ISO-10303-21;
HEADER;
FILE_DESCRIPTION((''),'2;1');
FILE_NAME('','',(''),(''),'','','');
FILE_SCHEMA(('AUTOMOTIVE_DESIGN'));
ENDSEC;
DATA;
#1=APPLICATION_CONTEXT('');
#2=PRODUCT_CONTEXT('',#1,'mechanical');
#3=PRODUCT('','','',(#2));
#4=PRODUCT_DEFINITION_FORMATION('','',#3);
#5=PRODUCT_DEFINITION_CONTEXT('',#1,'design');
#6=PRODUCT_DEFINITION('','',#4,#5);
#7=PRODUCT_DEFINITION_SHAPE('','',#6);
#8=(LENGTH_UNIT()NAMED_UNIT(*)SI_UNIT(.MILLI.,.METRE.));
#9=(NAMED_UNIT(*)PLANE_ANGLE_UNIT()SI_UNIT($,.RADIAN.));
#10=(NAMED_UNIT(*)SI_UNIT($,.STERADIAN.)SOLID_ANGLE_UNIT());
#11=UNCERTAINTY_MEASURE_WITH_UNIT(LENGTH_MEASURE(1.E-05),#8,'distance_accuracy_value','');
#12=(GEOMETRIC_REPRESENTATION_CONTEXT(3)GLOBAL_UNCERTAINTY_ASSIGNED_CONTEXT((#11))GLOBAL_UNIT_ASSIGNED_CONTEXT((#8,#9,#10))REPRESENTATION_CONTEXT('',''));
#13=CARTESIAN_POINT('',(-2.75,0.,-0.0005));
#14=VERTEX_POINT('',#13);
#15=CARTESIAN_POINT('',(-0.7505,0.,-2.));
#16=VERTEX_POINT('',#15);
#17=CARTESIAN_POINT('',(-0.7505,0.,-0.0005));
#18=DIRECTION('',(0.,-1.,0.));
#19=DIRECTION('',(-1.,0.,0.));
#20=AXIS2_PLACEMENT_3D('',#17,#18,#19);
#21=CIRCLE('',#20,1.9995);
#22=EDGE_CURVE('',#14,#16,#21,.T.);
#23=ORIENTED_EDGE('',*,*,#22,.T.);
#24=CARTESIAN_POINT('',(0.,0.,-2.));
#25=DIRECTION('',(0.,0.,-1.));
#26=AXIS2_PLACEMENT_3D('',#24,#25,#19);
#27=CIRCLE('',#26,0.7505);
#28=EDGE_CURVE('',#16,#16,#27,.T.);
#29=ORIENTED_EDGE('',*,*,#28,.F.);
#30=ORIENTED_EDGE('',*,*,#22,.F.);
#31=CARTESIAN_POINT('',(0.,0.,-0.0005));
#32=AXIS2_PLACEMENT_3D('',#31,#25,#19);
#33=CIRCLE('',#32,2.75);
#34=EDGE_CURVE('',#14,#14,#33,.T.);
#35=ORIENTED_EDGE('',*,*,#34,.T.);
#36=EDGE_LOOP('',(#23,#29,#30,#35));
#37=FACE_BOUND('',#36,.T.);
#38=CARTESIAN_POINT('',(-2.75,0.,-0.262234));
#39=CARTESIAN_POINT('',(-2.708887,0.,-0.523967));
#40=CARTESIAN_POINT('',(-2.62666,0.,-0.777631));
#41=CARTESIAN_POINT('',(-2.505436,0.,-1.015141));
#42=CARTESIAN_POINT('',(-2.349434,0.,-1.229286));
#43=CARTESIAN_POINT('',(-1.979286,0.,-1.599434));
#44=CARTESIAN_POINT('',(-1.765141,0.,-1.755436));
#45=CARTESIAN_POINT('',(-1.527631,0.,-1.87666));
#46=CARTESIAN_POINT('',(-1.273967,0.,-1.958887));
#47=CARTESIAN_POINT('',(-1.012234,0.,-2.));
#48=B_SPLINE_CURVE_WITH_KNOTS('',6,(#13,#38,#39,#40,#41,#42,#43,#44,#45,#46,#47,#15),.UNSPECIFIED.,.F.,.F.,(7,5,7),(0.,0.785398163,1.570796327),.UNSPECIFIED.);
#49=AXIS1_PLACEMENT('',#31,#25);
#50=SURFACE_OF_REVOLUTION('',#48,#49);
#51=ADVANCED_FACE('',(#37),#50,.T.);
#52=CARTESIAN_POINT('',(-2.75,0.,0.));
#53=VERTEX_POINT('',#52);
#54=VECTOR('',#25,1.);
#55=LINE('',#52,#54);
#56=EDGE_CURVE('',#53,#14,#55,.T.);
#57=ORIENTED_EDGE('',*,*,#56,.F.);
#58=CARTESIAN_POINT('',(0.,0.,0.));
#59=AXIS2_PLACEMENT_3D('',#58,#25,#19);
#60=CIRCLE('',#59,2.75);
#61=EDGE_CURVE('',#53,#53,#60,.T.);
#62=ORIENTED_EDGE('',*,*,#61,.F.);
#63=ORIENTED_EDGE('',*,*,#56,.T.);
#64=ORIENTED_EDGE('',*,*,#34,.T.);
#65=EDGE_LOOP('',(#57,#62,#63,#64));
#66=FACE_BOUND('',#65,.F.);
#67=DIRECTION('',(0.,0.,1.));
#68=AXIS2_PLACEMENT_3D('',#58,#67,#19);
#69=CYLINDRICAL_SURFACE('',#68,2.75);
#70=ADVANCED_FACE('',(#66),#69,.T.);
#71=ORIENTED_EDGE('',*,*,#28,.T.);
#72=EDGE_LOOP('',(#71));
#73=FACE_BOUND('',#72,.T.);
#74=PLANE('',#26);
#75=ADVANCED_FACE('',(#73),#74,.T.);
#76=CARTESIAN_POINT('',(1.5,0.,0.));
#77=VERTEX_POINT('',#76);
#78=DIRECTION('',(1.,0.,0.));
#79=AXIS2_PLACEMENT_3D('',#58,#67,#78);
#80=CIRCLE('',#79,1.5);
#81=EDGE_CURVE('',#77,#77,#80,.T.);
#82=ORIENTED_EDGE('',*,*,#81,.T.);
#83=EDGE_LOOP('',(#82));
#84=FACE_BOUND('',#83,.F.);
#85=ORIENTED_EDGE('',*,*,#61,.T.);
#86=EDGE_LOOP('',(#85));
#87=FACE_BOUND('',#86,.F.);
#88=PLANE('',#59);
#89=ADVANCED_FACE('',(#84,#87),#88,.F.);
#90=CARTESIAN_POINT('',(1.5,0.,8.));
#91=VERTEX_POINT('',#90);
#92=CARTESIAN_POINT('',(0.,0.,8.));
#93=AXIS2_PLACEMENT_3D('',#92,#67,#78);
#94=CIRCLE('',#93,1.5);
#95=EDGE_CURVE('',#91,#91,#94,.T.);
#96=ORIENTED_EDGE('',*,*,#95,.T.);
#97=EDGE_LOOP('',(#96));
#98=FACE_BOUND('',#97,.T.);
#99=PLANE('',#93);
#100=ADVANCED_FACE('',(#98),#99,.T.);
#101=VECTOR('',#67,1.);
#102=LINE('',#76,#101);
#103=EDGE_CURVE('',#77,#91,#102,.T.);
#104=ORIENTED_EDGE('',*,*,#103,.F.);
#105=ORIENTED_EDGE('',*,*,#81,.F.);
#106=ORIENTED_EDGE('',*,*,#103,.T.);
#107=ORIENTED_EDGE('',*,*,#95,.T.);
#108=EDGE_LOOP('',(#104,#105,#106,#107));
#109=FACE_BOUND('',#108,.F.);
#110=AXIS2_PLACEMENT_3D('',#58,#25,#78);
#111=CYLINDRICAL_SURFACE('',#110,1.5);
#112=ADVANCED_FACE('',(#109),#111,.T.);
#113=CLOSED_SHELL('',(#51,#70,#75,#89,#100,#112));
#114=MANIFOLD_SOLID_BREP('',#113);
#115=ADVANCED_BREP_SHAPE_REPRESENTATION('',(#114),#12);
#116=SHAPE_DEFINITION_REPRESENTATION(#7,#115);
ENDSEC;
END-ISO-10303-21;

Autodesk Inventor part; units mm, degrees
ref_plane "YZ Plane" through (0, 0, 0) normal (1, 0, 0) x (0, 1, 0)
ref_plane "XZ Plane" through (0, 0, 0) normal (0, 1, 0) x (-1, 0, 0)
ref_plane "XY Plane" through (0, 0, 0) normal (0, 0, 1) x (1, 0, 0)
sketch "スケッチ1" plane through (0, 0, 0) normal (0, 0, 1) x (1, 0, 0)
  circle A0 centre (0, 0) radius 1.5
  dimension "d0" = 3
extrude "押し出し1" add sketch "スケッチ1" along normal blind 8
sketch "スケッチ2" plane through (0, 0, 0) normal (0, 0, -1) x (-1, 0, 0)
  circle A0 centre (0, 0) radius 2.75
  dimension "d3" = 5.5
extrude "押し出し2" add sketch "スケッチ2" along normal blind 2
fillet "フィレット1" radius 2 1 edges at (2.75, 0, -2)
thread "ねじ1" size "M3x0.5" class "6g" standard "ANSI Metric M Profile" full length
properties part number "ネジ鍋m3,08" material "鋼、高強度、低合金"
